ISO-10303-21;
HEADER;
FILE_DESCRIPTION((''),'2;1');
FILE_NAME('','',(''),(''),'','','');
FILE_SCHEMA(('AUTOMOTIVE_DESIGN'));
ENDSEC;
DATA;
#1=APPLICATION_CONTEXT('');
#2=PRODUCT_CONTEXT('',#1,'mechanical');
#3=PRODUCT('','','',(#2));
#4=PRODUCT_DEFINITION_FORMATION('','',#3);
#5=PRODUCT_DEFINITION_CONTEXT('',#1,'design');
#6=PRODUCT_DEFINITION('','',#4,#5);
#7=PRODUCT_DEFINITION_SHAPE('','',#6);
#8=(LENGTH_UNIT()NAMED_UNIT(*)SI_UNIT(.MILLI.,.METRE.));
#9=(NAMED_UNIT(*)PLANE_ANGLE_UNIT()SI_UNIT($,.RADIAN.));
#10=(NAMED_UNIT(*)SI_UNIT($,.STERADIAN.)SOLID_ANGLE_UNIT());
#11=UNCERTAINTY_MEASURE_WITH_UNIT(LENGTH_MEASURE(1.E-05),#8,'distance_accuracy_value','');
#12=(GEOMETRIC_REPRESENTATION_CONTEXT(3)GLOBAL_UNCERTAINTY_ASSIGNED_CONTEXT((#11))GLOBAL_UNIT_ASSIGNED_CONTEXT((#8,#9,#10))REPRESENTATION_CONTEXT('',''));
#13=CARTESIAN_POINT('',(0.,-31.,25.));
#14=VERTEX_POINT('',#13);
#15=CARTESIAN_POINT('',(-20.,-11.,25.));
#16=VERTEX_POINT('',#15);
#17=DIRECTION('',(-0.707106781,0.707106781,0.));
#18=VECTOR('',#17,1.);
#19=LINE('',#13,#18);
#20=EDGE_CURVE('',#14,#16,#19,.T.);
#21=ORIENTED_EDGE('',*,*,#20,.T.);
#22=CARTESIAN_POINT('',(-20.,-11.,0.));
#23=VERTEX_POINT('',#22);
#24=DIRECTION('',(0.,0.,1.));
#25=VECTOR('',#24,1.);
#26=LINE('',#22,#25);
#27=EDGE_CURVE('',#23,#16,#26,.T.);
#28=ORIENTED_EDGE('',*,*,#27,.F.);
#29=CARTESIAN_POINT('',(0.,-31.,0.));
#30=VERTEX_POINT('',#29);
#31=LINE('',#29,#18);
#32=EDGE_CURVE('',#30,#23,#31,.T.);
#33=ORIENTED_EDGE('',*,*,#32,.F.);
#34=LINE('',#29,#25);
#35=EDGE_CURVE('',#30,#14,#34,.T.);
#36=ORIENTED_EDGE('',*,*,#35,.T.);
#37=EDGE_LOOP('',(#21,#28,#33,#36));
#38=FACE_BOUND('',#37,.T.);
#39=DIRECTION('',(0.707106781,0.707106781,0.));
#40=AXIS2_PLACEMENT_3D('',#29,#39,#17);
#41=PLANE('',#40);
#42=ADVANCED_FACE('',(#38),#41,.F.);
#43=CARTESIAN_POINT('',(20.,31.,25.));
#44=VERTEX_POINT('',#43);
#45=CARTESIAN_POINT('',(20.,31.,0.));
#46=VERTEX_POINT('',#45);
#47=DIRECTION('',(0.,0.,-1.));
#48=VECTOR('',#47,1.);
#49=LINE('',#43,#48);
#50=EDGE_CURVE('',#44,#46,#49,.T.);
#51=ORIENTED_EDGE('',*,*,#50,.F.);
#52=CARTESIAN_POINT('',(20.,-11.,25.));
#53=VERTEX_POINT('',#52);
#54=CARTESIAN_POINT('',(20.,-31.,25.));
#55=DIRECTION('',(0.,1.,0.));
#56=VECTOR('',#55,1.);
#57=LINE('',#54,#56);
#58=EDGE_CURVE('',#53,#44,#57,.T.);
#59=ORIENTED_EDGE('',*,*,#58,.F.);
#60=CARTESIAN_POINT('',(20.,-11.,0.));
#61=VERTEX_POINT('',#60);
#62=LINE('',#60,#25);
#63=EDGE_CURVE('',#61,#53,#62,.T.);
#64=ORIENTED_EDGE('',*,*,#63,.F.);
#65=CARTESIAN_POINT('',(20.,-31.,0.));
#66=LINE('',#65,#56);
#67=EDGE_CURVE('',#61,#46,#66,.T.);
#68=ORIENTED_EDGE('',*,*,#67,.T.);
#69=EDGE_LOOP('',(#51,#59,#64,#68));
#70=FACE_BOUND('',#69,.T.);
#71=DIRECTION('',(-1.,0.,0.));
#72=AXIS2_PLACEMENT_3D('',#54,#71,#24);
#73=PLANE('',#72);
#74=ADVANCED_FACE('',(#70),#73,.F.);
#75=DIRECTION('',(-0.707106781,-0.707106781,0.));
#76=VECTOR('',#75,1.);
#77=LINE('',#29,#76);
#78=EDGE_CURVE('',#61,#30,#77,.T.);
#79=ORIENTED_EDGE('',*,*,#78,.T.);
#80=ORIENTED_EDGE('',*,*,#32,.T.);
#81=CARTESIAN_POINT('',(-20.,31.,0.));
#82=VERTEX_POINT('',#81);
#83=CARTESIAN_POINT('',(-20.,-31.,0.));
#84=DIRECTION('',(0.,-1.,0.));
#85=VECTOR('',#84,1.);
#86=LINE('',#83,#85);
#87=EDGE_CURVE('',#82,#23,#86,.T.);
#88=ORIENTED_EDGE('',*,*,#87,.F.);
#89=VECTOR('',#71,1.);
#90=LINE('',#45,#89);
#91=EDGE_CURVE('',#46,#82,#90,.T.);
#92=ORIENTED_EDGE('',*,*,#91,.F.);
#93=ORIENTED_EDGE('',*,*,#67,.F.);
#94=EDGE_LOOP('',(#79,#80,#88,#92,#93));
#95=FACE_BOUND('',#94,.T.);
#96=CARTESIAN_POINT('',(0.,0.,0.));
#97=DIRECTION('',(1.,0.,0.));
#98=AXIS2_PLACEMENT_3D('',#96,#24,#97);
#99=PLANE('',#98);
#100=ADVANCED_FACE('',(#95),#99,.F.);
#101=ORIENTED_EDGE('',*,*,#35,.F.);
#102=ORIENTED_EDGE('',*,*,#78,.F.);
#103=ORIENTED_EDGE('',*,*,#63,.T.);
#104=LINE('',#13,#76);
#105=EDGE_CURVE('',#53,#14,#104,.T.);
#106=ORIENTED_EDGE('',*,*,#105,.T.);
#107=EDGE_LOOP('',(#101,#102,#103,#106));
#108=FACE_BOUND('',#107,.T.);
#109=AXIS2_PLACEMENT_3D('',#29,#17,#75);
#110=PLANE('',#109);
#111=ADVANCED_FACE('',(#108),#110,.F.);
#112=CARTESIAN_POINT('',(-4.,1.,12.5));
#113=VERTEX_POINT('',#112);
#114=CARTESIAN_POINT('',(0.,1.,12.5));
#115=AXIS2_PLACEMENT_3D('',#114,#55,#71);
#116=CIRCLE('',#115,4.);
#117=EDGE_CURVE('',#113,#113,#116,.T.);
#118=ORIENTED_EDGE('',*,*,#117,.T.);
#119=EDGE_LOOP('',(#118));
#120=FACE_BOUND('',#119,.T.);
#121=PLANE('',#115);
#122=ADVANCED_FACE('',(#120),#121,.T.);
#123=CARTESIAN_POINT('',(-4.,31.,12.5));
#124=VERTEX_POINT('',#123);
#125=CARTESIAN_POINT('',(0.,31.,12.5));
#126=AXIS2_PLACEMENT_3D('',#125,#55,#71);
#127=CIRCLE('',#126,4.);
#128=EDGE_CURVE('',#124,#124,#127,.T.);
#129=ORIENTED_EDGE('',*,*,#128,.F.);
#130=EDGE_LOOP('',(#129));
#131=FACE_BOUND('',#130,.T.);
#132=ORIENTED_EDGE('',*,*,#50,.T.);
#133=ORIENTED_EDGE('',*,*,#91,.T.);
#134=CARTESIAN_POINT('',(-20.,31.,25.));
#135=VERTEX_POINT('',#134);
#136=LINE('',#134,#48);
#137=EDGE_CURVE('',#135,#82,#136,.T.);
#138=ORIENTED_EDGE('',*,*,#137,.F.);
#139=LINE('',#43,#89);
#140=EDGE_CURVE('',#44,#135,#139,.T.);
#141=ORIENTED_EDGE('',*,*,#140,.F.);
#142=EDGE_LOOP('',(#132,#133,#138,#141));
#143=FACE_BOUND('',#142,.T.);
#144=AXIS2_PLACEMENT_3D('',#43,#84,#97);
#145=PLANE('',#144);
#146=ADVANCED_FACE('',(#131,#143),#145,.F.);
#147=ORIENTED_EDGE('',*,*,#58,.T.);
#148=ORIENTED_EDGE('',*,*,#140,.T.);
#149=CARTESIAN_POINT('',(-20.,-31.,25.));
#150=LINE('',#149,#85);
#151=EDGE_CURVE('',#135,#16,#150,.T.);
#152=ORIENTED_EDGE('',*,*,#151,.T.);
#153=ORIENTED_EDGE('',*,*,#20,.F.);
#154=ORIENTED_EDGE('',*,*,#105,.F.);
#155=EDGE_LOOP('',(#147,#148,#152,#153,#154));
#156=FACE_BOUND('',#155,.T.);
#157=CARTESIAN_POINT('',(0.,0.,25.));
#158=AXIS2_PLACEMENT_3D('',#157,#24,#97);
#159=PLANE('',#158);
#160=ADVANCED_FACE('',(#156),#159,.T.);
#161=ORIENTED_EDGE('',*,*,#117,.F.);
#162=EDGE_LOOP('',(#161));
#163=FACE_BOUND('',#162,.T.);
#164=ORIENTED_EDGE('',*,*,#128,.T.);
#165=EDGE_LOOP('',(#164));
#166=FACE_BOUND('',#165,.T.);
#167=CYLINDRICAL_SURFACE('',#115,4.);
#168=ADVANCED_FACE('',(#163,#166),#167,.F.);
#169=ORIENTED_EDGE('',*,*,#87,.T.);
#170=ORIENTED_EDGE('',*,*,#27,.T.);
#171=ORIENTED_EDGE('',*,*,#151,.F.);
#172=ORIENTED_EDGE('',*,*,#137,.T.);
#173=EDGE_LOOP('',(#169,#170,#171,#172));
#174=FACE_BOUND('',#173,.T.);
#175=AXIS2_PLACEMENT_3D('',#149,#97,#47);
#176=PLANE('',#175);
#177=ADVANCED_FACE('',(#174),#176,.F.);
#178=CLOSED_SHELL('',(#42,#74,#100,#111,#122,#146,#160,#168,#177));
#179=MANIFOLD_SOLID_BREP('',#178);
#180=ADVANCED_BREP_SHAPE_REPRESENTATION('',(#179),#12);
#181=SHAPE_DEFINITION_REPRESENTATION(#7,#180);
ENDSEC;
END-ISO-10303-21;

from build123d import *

# Parameters (mm, degrees)
SKETCH1_W           = 40
SKETCH1_H           = 62
BOSS_EXTRUDE1_DEPTH = 25
CUT_EXTRUDE1_DEPTH  = 25
SKETCH3_R           = 4
CUT_EXTRUDE2_DEPTH  = 30


with BuildPart() as part:
    # Sketch1 → Boss-Extrude1 (new body)
    with BuildSketch(Plane.XY):
        Rectangle(SKETCH1_W, SKETCH1_H)
    extrude(amount=BOSS_EXTRUDE1_DEPTH)

    # Sketch2 → Cut-Extrude1 (cut)
    with BuildSketch(Plane.XY.offset(25)):
        Polygon((0, -31), (-20, -11), (-20, -38.533016332), (20, -38.533016332), (20, -11), align=None)
    extrude(amount=-CUT_EXTRUDE1_DEPTH, mode=Mode.SUBTRACT)

    # Sketch3 → Cut-Extrude2 (cut)
    with BuildSketch(Plane(origin=(0, 31, 0), x_dir=(1, 0, 0), z_dir=(0, 1, 0))):
        with Locations((0, -12.5)):
            Circle(SKETCH3_R)
    extrude(amount=-CUT_EXTRUDE2_DEPTH, mode=Mode.SUBTRACT)


solid = part.part
